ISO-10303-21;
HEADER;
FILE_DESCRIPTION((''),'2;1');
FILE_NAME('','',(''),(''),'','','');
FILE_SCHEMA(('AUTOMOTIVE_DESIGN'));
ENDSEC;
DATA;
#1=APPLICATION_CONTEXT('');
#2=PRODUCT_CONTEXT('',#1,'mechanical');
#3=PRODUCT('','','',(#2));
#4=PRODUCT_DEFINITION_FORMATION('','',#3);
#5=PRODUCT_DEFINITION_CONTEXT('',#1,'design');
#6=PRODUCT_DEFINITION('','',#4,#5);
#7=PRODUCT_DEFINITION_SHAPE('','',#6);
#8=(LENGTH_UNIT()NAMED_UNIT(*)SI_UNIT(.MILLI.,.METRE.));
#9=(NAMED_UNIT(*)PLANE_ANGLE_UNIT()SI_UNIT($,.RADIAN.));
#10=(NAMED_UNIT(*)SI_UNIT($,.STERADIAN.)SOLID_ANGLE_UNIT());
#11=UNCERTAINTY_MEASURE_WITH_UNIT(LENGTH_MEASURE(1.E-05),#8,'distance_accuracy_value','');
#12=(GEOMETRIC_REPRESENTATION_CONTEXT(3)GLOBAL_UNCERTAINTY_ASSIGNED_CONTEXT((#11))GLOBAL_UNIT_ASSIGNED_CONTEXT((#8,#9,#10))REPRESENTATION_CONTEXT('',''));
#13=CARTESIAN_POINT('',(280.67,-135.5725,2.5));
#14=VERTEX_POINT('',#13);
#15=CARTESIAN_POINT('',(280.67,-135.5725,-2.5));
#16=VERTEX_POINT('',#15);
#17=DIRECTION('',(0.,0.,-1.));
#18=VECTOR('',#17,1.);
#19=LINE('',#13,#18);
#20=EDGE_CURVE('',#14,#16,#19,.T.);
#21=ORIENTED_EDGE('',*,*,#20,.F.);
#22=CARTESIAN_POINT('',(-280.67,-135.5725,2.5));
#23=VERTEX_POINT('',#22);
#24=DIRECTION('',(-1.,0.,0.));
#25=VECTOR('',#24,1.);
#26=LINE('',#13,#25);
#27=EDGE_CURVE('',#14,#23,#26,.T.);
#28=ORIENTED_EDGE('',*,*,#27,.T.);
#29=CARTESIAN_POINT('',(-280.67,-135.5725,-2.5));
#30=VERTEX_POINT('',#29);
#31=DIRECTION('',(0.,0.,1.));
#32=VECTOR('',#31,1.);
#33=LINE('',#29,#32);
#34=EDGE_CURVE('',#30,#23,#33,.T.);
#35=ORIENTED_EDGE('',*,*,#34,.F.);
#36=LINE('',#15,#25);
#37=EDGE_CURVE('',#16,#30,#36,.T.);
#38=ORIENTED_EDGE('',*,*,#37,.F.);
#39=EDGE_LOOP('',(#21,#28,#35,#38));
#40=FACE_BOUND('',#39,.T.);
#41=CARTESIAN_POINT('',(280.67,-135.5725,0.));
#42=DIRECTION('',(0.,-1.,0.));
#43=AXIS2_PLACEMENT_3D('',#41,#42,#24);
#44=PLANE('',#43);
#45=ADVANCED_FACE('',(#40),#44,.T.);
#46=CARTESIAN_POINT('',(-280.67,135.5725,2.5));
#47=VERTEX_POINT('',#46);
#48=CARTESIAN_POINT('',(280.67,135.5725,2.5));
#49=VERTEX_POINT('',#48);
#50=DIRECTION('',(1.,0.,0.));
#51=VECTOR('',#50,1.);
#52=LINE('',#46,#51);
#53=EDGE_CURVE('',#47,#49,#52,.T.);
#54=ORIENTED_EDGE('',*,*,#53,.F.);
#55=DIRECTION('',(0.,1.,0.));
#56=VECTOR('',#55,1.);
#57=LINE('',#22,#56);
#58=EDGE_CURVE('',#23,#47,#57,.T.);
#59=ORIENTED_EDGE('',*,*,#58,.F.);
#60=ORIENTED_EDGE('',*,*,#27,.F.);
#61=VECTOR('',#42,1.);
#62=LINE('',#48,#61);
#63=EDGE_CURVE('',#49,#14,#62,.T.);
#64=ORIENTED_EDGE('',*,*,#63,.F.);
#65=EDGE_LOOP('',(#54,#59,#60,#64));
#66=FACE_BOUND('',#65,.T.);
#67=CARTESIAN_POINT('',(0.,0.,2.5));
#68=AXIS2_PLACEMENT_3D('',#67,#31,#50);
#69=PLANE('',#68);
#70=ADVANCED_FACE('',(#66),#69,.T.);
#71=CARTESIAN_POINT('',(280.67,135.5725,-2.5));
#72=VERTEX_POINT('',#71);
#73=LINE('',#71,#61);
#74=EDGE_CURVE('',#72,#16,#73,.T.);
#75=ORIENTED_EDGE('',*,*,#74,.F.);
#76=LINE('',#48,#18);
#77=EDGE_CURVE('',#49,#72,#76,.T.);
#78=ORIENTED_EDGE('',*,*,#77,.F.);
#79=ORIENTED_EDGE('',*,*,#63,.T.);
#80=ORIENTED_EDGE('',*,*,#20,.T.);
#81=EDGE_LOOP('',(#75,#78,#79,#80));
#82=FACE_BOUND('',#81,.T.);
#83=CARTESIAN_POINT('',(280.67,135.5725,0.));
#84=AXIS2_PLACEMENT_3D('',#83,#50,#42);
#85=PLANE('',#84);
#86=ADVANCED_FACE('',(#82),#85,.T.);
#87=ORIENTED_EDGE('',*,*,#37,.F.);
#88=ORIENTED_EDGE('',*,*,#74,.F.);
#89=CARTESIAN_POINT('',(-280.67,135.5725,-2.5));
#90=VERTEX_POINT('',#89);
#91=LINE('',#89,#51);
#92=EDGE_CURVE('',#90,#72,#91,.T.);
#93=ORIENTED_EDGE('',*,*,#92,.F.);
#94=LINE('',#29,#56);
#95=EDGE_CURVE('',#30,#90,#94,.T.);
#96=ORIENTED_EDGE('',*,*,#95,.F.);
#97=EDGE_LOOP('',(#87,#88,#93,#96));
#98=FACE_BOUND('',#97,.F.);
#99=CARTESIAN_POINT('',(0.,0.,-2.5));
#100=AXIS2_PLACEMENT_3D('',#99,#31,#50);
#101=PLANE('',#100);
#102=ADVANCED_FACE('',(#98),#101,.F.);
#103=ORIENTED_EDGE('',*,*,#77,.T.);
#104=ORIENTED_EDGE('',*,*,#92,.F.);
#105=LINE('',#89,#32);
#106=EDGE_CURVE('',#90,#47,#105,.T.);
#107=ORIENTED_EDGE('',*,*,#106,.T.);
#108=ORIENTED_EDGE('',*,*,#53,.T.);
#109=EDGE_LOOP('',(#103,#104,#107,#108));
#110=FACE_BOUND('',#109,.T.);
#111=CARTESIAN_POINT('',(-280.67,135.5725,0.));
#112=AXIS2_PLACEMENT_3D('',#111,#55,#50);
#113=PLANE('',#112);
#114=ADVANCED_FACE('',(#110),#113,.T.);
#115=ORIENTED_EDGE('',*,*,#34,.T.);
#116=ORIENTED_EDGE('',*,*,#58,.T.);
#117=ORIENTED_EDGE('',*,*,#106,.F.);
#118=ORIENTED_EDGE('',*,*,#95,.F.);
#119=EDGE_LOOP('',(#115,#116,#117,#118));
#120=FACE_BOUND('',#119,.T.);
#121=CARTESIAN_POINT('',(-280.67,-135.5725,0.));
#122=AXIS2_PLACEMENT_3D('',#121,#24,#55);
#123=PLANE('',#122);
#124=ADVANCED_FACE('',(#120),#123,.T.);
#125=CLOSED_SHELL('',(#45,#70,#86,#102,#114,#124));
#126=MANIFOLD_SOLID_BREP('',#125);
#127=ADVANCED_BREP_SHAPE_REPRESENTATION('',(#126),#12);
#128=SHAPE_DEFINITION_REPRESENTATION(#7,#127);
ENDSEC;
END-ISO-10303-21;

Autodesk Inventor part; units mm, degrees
ref_plane "YZ Plane" through (0, 0, 0) normal (1, 0, 0) x (0, 1, 0)
ref_plane "XZ Plane" through (0, 0, 0) normal (0, 1, 0) x (-1, 0, 0)
ref_plane "XY Plane" through (0, 0, 0) normal (0, 0, 1) x (1, 0, 0)
sketch "Sketch1" plane through (0, 0, 0) normal (0, 0, 1) x (1, 0, 0)
  line L0 (-280.67, 135.5725) -> (280.67, 135.5725)
  line L1 (280.67, 135.5725) -> (280.67, -135.5725)
  line L2 (280.67, -135.5725) -> (-280.67, -135.5725)
  line L3 (-280.67, -135.5725) -> (-280.67, 135.5725)
  point P0 (0, 0)
  dimension "d0" = 561.34
  dimension "d1" = 271.145
  dimension "d2" = 280.67
  dimension "d3" = 135.5725
extrude "Extrusion1" add sketch "Sketch1" along normal mid plane 5
equation "\"d2\" = 0.5 * d0"
equation "\"d3\" = 0.5 * d1"
